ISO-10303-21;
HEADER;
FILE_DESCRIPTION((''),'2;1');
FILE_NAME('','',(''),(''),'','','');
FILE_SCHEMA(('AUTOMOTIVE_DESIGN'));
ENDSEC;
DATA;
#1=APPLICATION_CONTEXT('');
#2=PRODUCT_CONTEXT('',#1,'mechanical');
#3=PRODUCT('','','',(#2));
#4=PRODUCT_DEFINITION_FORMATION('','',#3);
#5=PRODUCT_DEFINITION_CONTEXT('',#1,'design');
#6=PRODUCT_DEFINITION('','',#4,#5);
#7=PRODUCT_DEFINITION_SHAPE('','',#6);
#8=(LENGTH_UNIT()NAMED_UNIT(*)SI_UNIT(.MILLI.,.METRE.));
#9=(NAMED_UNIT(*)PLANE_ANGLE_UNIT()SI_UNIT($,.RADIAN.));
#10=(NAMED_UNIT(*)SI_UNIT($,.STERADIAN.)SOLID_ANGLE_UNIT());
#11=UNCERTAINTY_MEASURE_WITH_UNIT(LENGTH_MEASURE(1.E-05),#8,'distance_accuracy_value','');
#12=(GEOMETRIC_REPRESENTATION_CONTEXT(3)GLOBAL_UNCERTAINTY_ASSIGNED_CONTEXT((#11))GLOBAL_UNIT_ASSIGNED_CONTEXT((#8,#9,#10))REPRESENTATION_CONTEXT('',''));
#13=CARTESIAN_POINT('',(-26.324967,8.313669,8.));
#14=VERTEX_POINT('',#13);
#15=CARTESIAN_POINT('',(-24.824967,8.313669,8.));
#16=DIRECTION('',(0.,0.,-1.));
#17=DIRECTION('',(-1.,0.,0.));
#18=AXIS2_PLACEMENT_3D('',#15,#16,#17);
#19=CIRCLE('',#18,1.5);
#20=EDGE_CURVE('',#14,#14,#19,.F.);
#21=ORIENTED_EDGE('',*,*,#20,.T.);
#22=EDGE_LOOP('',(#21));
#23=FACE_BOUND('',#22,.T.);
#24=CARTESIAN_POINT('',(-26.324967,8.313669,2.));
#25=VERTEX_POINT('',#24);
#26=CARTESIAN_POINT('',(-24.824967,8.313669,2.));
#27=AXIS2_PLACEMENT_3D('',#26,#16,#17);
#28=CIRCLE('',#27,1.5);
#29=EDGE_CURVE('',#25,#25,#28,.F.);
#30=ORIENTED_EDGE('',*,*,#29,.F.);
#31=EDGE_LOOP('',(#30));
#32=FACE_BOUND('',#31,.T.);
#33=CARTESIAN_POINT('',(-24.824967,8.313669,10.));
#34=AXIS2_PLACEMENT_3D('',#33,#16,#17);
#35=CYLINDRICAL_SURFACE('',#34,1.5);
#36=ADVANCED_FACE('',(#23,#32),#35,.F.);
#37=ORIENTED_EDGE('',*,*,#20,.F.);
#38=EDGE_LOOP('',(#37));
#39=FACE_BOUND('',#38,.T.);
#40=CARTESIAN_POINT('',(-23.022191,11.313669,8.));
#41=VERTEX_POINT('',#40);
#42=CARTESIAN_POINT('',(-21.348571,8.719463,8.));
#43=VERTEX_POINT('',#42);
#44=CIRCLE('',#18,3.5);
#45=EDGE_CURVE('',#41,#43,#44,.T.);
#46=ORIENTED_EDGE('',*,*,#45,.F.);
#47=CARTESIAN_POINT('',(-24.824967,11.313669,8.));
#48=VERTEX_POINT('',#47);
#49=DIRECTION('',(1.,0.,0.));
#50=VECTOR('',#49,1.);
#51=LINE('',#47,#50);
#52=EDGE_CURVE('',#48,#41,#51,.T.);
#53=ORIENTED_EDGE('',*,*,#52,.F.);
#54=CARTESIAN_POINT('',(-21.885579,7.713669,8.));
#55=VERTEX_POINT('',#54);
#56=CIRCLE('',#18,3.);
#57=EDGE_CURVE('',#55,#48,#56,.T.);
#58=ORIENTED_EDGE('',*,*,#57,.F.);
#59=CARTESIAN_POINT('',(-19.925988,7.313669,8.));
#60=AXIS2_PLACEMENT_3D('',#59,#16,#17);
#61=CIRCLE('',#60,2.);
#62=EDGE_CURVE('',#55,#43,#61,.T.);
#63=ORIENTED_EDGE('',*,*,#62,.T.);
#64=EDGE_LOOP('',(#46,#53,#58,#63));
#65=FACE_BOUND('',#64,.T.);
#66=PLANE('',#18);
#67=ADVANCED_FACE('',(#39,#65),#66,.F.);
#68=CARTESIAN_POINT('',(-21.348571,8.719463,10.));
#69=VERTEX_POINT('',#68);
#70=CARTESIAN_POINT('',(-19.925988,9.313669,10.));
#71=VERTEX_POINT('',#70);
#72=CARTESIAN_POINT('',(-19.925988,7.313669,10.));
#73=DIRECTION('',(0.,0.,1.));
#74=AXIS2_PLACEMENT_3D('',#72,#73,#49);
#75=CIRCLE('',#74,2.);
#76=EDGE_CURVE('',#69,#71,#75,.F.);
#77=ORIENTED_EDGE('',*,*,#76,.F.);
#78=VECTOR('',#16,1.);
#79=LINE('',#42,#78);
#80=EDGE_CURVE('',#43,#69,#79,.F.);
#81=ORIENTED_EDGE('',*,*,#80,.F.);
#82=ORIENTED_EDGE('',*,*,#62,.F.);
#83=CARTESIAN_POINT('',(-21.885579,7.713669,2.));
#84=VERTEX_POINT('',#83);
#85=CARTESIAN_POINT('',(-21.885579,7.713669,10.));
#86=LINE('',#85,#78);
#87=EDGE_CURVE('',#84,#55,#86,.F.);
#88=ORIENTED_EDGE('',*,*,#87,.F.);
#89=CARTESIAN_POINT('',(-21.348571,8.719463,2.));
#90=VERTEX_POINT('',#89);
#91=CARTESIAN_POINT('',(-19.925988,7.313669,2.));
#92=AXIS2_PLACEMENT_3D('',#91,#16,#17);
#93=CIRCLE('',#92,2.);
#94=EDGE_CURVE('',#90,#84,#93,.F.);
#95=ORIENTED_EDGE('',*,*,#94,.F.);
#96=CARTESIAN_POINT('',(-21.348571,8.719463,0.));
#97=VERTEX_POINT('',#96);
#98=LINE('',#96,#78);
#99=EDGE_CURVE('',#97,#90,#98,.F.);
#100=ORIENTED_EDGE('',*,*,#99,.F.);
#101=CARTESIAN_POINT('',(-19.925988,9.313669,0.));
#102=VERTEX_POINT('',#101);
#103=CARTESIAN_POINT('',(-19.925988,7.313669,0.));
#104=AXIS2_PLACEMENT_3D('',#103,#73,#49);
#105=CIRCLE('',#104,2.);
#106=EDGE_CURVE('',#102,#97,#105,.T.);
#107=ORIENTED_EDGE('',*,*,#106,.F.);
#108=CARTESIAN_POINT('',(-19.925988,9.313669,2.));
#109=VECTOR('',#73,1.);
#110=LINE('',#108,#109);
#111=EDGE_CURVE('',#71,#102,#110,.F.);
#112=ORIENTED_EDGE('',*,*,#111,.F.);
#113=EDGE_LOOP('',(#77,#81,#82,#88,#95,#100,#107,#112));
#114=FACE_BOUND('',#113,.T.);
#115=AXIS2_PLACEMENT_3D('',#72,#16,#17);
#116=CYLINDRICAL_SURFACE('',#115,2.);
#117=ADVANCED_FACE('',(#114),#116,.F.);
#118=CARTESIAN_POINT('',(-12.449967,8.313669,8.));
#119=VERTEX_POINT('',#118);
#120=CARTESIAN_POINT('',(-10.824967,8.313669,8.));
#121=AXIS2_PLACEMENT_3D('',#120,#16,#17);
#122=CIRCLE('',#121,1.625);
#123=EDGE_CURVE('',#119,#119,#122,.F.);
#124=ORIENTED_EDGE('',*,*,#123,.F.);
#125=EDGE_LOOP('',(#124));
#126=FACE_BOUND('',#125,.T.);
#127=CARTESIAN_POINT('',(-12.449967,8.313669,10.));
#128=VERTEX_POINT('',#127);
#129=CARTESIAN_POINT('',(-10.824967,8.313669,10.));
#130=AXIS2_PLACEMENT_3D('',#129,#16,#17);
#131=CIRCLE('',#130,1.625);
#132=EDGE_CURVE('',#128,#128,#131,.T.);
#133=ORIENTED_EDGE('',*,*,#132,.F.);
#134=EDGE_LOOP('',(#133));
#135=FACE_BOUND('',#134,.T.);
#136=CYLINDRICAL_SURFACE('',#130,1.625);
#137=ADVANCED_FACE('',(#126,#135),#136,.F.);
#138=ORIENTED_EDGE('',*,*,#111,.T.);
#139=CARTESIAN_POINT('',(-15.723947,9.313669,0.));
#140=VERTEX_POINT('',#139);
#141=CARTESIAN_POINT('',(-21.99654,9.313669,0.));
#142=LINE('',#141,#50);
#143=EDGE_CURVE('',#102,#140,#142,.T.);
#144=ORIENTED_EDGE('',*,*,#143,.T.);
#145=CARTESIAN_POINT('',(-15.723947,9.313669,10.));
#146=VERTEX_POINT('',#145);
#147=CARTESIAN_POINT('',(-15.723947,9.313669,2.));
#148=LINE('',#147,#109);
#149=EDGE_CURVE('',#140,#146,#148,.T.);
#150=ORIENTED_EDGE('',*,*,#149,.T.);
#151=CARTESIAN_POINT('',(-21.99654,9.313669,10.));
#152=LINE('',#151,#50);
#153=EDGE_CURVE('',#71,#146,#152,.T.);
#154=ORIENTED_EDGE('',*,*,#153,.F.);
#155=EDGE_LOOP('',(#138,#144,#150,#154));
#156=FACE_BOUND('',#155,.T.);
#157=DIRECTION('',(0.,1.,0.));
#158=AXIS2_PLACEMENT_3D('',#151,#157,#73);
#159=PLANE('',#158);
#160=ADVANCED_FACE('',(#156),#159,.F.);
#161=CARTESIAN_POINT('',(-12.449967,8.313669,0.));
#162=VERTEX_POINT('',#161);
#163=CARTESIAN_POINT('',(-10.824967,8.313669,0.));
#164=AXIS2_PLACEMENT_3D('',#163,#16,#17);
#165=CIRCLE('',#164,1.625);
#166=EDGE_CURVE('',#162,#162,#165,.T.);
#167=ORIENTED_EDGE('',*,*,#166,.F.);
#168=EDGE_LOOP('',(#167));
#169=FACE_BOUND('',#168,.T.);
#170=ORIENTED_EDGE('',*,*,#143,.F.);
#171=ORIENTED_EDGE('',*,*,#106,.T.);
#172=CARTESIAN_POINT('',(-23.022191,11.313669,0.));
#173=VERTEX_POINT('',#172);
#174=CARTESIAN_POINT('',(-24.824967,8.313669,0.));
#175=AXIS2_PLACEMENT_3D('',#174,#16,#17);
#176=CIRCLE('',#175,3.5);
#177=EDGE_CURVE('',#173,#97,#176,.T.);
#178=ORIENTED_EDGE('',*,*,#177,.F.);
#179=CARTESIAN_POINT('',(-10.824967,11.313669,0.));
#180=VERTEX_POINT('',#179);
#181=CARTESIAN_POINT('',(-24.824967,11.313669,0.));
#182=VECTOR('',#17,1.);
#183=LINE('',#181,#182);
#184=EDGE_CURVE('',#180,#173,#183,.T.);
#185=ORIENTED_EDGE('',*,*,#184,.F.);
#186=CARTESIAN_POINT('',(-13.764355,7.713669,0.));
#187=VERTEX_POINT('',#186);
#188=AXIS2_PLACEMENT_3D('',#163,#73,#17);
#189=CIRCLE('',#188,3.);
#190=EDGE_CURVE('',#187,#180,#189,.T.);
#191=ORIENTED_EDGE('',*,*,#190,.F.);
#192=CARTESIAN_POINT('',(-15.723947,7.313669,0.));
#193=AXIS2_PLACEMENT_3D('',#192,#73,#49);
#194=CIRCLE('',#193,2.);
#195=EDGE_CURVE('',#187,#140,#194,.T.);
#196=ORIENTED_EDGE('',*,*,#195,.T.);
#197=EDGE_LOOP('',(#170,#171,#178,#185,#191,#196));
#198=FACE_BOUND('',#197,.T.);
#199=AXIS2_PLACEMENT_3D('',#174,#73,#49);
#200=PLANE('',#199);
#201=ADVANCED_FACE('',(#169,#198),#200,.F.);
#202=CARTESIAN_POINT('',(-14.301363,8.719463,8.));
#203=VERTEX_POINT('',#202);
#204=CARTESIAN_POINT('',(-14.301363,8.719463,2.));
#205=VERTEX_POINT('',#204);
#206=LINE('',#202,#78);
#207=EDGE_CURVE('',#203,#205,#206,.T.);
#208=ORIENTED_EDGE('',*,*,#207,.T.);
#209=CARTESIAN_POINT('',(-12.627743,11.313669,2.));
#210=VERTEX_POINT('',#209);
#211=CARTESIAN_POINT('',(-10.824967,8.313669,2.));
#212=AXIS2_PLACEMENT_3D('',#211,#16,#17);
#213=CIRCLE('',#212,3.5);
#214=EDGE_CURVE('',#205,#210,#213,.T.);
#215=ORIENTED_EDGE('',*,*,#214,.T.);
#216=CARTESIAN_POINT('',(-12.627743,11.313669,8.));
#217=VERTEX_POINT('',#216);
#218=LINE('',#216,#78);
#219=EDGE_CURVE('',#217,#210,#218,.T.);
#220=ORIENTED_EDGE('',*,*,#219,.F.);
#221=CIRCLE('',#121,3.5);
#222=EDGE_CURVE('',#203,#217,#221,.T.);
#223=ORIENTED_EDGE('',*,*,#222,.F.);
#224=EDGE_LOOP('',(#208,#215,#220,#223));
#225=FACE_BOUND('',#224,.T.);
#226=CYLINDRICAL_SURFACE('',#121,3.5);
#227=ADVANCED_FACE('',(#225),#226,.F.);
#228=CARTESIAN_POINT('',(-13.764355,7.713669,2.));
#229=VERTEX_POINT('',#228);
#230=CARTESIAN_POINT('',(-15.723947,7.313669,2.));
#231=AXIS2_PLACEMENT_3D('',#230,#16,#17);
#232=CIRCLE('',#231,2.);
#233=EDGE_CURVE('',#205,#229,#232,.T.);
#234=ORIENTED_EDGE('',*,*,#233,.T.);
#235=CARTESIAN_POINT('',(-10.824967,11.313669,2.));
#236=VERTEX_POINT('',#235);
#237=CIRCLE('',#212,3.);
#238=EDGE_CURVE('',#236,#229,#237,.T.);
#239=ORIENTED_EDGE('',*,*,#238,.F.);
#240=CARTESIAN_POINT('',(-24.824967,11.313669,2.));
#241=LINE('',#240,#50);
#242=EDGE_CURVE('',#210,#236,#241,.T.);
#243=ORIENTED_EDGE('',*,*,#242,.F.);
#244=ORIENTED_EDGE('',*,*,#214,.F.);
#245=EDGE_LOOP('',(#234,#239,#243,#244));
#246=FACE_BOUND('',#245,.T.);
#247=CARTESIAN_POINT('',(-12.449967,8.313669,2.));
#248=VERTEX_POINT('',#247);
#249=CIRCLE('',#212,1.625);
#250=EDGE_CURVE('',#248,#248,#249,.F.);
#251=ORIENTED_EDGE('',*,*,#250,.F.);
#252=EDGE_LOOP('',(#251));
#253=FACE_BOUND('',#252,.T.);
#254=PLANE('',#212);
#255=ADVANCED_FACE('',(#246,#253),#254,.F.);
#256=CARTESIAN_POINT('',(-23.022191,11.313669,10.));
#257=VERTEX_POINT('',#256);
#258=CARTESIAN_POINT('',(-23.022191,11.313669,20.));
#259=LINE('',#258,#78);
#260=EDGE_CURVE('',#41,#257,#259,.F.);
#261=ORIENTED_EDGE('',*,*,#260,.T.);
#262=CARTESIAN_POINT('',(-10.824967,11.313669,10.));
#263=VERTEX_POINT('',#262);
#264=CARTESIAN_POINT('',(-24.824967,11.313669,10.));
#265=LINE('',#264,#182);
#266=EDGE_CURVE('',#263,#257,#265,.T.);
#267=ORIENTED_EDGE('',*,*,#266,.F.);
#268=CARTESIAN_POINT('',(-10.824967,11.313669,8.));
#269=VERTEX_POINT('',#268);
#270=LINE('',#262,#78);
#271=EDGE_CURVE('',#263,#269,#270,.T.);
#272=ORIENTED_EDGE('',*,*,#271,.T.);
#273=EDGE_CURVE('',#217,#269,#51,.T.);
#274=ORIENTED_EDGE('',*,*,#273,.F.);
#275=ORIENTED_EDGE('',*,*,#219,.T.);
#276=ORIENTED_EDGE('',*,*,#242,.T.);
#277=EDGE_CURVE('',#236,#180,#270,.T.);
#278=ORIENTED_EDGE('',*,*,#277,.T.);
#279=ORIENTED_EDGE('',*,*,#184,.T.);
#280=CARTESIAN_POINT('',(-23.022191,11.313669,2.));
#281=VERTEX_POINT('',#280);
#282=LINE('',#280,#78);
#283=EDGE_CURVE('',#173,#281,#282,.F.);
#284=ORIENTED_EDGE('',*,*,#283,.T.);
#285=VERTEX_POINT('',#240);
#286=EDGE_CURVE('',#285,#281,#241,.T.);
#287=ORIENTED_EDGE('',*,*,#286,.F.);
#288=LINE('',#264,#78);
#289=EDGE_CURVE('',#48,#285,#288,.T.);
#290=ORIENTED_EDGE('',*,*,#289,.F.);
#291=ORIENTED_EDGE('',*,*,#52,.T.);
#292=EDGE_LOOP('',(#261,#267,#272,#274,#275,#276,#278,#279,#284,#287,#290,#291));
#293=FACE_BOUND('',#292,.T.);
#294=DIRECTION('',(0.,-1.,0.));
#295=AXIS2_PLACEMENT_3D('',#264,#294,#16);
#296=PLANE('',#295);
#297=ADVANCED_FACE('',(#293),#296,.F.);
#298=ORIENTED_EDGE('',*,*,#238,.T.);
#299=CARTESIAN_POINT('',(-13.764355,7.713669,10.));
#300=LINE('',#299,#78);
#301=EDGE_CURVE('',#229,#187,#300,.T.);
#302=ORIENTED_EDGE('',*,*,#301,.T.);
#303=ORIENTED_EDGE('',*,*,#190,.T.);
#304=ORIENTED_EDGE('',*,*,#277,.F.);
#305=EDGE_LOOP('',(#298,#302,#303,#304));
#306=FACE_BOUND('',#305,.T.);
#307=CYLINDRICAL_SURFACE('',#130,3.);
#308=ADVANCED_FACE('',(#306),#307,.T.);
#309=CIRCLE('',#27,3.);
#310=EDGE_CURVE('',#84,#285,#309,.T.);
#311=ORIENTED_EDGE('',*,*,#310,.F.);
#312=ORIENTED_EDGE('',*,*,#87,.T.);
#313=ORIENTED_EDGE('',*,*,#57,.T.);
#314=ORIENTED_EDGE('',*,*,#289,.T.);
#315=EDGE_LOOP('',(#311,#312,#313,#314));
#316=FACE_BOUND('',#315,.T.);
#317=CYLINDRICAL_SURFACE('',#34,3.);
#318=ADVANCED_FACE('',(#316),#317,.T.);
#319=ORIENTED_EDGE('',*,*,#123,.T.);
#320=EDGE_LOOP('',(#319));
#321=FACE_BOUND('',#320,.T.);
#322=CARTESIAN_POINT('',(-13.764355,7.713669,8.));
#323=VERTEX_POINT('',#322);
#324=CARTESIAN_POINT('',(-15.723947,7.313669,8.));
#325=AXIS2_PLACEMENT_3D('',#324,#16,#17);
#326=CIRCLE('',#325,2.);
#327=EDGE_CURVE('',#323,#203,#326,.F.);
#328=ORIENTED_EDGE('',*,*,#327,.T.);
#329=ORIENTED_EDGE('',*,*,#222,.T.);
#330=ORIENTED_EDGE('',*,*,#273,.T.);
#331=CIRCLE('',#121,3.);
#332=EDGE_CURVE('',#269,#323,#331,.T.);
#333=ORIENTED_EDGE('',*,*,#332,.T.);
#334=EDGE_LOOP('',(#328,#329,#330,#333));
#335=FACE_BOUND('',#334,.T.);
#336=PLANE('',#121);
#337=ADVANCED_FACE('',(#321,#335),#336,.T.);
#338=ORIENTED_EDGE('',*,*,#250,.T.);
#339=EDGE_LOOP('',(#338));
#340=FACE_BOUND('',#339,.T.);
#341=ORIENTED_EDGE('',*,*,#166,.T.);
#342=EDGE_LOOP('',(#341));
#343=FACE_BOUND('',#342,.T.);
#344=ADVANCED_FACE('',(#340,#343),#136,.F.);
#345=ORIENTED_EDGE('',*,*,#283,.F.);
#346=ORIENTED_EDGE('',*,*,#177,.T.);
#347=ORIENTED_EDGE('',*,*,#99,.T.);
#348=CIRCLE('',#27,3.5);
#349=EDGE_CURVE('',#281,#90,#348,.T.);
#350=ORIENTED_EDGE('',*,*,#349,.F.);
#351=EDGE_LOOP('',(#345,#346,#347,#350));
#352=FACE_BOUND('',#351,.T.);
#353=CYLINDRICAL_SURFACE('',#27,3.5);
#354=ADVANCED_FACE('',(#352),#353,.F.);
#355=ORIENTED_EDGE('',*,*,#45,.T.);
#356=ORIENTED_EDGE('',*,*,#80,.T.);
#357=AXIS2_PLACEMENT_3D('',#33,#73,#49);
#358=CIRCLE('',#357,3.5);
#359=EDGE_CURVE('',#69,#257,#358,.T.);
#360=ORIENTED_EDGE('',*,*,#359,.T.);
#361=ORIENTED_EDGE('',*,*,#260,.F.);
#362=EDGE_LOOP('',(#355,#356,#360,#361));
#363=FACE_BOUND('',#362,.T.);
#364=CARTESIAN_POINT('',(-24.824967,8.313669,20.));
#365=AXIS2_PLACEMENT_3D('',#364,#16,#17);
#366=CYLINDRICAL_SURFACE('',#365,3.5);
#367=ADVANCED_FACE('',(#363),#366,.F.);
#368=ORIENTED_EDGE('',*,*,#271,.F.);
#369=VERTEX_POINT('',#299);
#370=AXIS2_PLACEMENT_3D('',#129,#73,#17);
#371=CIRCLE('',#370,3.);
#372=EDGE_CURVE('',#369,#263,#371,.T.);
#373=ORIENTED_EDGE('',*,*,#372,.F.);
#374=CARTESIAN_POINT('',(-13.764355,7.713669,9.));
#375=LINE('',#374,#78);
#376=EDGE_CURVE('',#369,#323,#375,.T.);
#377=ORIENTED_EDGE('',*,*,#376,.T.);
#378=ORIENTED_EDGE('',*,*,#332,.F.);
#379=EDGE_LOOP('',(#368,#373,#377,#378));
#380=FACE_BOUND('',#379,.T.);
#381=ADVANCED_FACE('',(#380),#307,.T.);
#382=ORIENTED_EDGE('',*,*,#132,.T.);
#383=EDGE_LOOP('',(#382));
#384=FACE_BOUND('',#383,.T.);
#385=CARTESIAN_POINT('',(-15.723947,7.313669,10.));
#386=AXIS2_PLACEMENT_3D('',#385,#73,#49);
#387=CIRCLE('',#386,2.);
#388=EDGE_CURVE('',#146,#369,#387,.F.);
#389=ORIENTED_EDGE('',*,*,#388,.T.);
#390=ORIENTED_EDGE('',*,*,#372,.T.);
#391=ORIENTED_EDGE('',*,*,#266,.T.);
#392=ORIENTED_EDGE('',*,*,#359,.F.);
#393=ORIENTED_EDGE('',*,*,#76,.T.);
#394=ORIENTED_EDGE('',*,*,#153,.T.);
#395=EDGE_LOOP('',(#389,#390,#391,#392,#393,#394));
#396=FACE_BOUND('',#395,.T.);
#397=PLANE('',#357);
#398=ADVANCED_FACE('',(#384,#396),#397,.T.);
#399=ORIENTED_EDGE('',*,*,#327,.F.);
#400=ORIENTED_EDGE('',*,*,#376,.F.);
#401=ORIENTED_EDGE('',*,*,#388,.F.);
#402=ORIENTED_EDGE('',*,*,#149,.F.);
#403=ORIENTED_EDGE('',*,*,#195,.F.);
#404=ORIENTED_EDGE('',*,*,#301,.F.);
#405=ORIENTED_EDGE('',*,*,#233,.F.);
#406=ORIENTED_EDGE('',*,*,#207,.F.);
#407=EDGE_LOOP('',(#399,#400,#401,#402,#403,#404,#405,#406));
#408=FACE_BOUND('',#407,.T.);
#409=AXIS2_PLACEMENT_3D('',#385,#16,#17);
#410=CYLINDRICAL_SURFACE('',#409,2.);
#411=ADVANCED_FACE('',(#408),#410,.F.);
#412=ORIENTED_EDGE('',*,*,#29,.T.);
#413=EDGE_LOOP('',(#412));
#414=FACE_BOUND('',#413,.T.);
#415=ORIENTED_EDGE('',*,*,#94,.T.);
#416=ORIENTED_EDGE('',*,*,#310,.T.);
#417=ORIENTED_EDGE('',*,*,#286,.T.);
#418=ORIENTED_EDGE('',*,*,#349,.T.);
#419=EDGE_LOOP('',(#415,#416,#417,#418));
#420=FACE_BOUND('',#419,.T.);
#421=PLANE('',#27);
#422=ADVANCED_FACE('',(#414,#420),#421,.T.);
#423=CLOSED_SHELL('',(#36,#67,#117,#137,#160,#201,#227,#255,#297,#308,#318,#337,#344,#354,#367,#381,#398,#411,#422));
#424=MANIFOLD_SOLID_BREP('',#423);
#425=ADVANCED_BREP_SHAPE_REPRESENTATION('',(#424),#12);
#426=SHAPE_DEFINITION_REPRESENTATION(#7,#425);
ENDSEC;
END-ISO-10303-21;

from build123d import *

# Parameters (mm, degrees)
ESTRUSIONE_ESTRUSIONE1_DEPTH = 10
SCHIZZO5_R                   = 1.625
SCHIZZO5_R_2                 = 1.5
TAGLIO_ESTRUSIONE1_DEPTH     = 10
SCHIZZO6_R                   = 3.5
TAGLIO_ESTRUSIONE2_DEPTH     = 2
TAGLIO_ESTRUSIONE3_START     = -8
SCHIZZO6_2_R                 = 3.5
TAGLIO_ESTRUSIONE3_DEPTH     = 12
TAGLIO_ESTRUSIONE4_START     = -2
SCHIZZO7_R                   = 3.5
TAGLIO_ESTRUSIONE4_DEPTH     = 6
RACCORDO1_R                  = 2
RACCORDO2_R                  = 2


with BuildPart() as part:
    # Schizzo1 → Estrusione-Estrusione1 (new body)
    with BuildSketch(Plane.XY):
        with BuildLine():
            Line((-24.824967097, 11.313668705), (-10.824967097, 11.313668705))
            ThreePointArc((-10.824967097, 11.313668705), (-9.092916289, 5.864178962), (-13.653394221, 9.313668705))
            Line((-13.653394221, 9.313668705), (-21.996539972, 9.313668705))
            ThreePointArc((-21.996539972, 9.313668705), (-26.557017904, 5.864178962), (-24.824967097, 11.313668705))
        make_face()
    extrude(amount=ESTRUSIONE_ESTRUSIONE1_DEPTH)

    # Schizzo5 → Taglio-Estrusione1 (cut)
    with BuildSketch(Plane(origin=(0, 0, 0), x_dir=(-1, 0, 0), z_dir=(0, 0, -1))):
        with Locations((10.824967097, 8.313668705)):
            Circle(SCHIZZO5_R)
        with Locations((24.824967097, 8.313668705)):
            Circle(SCHIZZO5_R_2)
    extrude(amount=-TAGLIO_ESTRUSIONE1_DEPTH, mode=Mode.SUBTRACT)

    # Schizzo6 → Taglio-Estrusione2 (cut)
    with BuildSketch(Plane(origin=(0, 0, 0), x_dir=(-1, 0, 0), z_dir=(0, 0, -1))):
        with Locations((24.824967097, 8.313668705)):
            Circle(SCHIZZO6_R)
    extrude(amount=-TAGLIO_ESTRUSIONE2_DEPTH, mode=Mode.SUBTRACT)

    # Schizzo6<2> → Taglio-Estrusione3 (cut)
    with BuildSketch(Plane(origin=(0, 0, 0), x_dir=(-1, 0, 0), z_dir=(0, 0, -1)).offset(TAGLIO_ESTRUSIONE3_START)):
        with Locations((24.824967097, 8.313668705)):
            Circle(SCHIZZO6_2_R)
    extrude(amount=-TAGLIO_ESTRUSIONE3_DEPTH, mode=Mode.SUBTRACT)

    # Schizzo7 → Taglio-Estrusione4 (cut)
    with BuildSketch(Plane(origin=(0, 0, 0), x_dir=(-1, 0, 0), z_dir=(0, 0, -1)).offset(TAGLIO_ESTRUSIONE4_START)):
        with Locations((10.824967097, 8.313668705)):
            Circle(SCHIZZO7_R)
    extrude(amount=-TAGLIO_ESTRUSIONE4_DEPTH, mode=Mode.SUBTRACT)

    # Raccordo1
    raccordo1_edges = [part.edges().sort_by_distance(p)[0] for p in [
        (-21.996539972, 9.313668705, 5),
    ]]
    fillet(raccordo1_edges, radius=RACCORDO1_R)

    # Raccordo2
    raccordo2_edges = [part.edges().sort_by_distance(p)[0] for p in [
        (-13.653394221, 9.313668705, 1),
    ]]
    fillet(raccordo2_edges, radius=RACCORDO2_R)


solid = part.part
